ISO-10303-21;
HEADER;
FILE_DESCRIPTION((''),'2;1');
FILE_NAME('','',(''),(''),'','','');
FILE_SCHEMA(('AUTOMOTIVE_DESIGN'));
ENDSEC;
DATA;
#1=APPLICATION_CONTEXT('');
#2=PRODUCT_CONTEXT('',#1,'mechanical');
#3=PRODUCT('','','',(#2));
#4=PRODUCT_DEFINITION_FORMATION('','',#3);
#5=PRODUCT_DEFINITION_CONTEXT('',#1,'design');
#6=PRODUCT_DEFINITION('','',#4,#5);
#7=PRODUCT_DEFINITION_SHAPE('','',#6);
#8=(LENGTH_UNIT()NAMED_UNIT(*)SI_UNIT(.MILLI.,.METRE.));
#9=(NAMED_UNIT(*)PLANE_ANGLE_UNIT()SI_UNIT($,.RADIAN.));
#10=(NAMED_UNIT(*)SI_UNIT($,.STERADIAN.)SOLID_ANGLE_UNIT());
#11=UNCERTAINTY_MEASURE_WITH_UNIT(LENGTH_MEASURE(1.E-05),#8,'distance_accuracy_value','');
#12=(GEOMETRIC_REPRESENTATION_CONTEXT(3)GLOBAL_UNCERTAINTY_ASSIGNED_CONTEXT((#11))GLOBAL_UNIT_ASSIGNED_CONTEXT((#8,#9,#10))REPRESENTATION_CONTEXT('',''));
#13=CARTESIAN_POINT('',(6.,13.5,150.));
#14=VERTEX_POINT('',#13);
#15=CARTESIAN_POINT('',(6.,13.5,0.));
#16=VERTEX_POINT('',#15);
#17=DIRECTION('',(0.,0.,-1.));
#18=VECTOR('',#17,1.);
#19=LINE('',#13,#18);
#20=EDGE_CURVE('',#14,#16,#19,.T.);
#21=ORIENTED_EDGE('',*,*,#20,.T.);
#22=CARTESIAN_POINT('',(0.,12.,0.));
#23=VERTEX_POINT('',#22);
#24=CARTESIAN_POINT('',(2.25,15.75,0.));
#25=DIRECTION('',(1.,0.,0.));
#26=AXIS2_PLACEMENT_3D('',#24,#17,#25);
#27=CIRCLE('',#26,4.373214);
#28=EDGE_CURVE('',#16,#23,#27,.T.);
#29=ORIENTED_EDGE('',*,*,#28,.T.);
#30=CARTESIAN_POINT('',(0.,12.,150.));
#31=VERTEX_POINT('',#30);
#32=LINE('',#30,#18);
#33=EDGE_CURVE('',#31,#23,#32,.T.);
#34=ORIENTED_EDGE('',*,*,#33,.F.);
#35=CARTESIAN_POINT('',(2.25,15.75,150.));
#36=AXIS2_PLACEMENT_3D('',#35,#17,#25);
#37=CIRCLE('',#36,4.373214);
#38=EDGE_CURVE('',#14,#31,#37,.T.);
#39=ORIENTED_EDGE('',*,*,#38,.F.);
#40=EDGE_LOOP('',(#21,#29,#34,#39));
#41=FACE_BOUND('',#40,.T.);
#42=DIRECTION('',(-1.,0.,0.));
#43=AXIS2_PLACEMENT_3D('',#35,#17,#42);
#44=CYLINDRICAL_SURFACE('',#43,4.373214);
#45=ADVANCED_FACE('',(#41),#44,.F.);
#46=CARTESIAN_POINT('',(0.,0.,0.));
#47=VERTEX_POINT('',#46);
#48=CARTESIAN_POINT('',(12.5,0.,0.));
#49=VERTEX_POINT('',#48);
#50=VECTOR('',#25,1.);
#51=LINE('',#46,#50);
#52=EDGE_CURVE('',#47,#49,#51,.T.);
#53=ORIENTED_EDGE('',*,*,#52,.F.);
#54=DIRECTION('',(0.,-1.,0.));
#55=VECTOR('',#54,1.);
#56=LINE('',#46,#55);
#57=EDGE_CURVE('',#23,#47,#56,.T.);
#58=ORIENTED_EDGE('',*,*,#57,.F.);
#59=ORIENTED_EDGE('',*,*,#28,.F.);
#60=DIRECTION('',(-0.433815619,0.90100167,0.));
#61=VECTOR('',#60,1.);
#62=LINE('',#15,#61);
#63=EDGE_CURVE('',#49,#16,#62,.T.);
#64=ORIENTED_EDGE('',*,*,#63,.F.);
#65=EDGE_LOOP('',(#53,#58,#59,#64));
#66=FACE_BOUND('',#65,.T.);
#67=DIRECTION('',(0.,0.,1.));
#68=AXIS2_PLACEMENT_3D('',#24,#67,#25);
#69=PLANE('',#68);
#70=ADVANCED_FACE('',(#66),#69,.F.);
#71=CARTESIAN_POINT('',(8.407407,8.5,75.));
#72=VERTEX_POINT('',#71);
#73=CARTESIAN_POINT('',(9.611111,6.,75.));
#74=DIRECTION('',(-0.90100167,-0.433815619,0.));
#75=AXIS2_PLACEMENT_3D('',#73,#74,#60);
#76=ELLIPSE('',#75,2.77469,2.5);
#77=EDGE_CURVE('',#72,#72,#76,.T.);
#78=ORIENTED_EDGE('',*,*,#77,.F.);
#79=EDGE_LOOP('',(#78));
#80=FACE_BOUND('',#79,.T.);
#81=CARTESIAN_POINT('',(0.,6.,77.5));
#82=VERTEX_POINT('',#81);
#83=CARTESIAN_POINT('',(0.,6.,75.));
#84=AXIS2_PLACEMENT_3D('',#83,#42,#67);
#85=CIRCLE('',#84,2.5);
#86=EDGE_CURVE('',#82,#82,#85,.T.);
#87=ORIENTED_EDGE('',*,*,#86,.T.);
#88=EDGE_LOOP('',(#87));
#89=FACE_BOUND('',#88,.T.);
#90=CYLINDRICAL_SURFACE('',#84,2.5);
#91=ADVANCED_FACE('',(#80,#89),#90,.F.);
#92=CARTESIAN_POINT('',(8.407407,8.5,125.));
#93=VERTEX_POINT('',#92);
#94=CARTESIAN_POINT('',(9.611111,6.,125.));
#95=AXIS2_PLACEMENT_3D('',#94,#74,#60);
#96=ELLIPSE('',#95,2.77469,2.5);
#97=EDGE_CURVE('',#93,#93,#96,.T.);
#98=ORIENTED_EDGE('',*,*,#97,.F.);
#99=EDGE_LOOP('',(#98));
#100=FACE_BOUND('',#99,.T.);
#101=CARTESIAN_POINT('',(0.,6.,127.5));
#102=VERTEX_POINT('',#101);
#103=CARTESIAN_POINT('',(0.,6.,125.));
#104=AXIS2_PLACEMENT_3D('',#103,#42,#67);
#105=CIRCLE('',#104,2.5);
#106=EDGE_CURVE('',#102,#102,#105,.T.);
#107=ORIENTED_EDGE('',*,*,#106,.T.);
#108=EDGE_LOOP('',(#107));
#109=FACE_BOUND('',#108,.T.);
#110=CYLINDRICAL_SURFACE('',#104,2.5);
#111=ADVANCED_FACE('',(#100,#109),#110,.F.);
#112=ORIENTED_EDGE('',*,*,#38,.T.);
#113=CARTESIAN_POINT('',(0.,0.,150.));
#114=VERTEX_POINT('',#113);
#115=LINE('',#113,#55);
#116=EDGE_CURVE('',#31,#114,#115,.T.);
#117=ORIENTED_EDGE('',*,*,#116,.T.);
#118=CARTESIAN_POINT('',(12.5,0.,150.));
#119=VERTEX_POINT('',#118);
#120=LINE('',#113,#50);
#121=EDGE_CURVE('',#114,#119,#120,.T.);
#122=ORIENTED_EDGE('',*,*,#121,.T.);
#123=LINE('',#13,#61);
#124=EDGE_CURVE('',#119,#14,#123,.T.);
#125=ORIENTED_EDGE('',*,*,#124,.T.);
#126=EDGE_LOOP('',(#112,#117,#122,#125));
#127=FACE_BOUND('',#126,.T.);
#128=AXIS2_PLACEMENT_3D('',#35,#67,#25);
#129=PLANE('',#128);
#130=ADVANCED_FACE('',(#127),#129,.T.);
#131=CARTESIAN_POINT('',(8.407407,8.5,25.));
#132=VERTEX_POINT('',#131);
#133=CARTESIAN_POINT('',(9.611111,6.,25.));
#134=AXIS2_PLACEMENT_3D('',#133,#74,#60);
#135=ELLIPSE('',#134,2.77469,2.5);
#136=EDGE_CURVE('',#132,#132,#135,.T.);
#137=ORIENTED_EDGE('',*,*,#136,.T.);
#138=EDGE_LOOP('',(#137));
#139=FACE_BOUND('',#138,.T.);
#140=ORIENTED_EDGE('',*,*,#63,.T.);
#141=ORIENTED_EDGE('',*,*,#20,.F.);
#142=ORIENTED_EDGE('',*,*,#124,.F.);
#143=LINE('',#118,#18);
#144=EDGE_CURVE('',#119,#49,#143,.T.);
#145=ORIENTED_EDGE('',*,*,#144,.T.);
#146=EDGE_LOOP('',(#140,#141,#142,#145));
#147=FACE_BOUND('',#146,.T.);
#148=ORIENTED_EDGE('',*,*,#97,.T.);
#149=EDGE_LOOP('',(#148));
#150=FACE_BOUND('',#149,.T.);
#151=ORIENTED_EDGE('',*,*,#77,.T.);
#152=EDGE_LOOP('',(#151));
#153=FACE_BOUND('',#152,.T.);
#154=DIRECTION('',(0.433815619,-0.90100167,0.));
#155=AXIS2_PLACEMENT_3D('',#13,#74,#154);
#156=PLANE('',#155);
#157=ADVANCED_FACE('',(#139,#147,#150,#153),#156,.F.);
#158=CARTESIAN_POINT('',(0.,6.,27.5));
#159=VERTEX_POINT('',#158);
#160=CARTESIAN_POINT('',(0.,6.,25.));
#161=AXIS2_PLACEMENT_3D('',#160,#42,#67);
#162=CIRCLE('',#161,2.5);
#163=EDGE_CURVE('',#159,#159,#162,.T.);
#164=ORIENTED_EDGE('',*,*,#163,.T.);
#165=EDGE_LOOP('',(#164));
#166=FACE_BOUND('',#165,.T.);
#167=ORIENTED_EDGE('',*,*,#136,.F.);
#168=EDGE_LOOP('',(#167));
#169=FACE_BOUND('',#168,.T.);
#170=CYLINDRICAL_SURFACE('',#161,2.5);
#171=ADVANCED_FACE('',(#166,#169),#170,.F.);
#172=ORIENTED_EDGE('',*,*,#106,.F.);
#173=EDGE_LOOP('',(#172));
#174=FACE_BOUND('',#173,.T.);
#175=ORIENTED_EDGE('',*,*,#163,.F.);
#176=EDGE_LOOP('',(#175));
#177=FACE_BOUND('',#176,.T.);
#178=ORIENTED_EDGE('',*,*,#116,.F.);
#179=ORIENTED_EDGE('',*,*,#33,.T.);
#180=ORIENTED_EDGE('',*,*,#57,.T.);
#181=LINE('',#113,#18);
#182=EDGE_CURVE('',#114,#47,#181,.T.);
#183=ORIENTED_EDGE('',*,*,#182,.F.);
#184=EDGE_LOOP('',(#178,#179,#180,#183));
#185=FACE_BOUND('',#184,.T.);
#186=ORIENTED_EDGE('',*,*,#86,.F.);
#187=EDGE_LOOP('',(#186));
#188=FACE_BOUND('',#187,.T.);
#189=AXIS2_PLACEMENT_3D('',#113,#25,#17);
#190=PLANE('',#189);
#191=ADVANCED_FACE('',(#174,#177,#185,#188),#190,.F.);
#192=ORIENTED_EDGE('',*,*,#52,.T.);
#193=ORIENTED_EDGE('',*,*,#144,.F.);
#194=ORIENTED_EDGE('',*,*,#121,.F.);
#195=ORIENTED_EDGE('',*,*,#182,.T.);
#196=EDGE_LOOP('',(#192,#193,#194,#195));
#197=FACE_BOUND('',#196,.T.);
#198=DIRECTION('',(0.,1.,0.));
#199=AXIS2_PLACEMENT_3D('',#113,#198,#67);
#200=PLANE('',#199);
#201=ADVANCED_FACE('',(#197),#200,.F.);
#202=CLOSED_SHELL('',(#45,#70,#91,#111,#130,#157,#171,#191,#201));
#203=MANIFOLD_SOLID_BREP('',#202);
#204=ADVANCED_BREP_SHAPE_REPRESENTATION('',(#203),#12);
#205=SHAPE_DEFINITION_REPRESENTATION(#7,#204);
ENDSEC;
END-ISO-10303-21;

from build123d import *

# Parameters (mm, degrees)
BOSS_EXTRU_1_DEPTH = 150
TROU_TARAUD_M63_D  = 5


with BuildPart() as part:
    # Esquisse1 → Boss.-Extru.1 (new body)
    with BuildSketch(Plane.XY):
        with BuildLine():
            Line((0, 0), (12.5, 0))
            Line((12.5, 0), (6, 13.5))
            ThreePointArc((6, 13.5), (3.310660172, 11.507359313), (0, 12))
            Line((0, 12), (0, 0))
        make_face()
    extrude(amount=BOSS_EXTRU_1_DEPTH)

    # Trou taraudé M63 (through all)
    with Locations(Plane(origin=(0, 6, 25), x_dir=(0, 0, -1), z_dir=(-1, 0, 0))):
        with Locations((0, 0), (-50, 0), (-100, 0)):
            Hole(TROU_TARAUD_M63_D / 2)


solid = part.part
